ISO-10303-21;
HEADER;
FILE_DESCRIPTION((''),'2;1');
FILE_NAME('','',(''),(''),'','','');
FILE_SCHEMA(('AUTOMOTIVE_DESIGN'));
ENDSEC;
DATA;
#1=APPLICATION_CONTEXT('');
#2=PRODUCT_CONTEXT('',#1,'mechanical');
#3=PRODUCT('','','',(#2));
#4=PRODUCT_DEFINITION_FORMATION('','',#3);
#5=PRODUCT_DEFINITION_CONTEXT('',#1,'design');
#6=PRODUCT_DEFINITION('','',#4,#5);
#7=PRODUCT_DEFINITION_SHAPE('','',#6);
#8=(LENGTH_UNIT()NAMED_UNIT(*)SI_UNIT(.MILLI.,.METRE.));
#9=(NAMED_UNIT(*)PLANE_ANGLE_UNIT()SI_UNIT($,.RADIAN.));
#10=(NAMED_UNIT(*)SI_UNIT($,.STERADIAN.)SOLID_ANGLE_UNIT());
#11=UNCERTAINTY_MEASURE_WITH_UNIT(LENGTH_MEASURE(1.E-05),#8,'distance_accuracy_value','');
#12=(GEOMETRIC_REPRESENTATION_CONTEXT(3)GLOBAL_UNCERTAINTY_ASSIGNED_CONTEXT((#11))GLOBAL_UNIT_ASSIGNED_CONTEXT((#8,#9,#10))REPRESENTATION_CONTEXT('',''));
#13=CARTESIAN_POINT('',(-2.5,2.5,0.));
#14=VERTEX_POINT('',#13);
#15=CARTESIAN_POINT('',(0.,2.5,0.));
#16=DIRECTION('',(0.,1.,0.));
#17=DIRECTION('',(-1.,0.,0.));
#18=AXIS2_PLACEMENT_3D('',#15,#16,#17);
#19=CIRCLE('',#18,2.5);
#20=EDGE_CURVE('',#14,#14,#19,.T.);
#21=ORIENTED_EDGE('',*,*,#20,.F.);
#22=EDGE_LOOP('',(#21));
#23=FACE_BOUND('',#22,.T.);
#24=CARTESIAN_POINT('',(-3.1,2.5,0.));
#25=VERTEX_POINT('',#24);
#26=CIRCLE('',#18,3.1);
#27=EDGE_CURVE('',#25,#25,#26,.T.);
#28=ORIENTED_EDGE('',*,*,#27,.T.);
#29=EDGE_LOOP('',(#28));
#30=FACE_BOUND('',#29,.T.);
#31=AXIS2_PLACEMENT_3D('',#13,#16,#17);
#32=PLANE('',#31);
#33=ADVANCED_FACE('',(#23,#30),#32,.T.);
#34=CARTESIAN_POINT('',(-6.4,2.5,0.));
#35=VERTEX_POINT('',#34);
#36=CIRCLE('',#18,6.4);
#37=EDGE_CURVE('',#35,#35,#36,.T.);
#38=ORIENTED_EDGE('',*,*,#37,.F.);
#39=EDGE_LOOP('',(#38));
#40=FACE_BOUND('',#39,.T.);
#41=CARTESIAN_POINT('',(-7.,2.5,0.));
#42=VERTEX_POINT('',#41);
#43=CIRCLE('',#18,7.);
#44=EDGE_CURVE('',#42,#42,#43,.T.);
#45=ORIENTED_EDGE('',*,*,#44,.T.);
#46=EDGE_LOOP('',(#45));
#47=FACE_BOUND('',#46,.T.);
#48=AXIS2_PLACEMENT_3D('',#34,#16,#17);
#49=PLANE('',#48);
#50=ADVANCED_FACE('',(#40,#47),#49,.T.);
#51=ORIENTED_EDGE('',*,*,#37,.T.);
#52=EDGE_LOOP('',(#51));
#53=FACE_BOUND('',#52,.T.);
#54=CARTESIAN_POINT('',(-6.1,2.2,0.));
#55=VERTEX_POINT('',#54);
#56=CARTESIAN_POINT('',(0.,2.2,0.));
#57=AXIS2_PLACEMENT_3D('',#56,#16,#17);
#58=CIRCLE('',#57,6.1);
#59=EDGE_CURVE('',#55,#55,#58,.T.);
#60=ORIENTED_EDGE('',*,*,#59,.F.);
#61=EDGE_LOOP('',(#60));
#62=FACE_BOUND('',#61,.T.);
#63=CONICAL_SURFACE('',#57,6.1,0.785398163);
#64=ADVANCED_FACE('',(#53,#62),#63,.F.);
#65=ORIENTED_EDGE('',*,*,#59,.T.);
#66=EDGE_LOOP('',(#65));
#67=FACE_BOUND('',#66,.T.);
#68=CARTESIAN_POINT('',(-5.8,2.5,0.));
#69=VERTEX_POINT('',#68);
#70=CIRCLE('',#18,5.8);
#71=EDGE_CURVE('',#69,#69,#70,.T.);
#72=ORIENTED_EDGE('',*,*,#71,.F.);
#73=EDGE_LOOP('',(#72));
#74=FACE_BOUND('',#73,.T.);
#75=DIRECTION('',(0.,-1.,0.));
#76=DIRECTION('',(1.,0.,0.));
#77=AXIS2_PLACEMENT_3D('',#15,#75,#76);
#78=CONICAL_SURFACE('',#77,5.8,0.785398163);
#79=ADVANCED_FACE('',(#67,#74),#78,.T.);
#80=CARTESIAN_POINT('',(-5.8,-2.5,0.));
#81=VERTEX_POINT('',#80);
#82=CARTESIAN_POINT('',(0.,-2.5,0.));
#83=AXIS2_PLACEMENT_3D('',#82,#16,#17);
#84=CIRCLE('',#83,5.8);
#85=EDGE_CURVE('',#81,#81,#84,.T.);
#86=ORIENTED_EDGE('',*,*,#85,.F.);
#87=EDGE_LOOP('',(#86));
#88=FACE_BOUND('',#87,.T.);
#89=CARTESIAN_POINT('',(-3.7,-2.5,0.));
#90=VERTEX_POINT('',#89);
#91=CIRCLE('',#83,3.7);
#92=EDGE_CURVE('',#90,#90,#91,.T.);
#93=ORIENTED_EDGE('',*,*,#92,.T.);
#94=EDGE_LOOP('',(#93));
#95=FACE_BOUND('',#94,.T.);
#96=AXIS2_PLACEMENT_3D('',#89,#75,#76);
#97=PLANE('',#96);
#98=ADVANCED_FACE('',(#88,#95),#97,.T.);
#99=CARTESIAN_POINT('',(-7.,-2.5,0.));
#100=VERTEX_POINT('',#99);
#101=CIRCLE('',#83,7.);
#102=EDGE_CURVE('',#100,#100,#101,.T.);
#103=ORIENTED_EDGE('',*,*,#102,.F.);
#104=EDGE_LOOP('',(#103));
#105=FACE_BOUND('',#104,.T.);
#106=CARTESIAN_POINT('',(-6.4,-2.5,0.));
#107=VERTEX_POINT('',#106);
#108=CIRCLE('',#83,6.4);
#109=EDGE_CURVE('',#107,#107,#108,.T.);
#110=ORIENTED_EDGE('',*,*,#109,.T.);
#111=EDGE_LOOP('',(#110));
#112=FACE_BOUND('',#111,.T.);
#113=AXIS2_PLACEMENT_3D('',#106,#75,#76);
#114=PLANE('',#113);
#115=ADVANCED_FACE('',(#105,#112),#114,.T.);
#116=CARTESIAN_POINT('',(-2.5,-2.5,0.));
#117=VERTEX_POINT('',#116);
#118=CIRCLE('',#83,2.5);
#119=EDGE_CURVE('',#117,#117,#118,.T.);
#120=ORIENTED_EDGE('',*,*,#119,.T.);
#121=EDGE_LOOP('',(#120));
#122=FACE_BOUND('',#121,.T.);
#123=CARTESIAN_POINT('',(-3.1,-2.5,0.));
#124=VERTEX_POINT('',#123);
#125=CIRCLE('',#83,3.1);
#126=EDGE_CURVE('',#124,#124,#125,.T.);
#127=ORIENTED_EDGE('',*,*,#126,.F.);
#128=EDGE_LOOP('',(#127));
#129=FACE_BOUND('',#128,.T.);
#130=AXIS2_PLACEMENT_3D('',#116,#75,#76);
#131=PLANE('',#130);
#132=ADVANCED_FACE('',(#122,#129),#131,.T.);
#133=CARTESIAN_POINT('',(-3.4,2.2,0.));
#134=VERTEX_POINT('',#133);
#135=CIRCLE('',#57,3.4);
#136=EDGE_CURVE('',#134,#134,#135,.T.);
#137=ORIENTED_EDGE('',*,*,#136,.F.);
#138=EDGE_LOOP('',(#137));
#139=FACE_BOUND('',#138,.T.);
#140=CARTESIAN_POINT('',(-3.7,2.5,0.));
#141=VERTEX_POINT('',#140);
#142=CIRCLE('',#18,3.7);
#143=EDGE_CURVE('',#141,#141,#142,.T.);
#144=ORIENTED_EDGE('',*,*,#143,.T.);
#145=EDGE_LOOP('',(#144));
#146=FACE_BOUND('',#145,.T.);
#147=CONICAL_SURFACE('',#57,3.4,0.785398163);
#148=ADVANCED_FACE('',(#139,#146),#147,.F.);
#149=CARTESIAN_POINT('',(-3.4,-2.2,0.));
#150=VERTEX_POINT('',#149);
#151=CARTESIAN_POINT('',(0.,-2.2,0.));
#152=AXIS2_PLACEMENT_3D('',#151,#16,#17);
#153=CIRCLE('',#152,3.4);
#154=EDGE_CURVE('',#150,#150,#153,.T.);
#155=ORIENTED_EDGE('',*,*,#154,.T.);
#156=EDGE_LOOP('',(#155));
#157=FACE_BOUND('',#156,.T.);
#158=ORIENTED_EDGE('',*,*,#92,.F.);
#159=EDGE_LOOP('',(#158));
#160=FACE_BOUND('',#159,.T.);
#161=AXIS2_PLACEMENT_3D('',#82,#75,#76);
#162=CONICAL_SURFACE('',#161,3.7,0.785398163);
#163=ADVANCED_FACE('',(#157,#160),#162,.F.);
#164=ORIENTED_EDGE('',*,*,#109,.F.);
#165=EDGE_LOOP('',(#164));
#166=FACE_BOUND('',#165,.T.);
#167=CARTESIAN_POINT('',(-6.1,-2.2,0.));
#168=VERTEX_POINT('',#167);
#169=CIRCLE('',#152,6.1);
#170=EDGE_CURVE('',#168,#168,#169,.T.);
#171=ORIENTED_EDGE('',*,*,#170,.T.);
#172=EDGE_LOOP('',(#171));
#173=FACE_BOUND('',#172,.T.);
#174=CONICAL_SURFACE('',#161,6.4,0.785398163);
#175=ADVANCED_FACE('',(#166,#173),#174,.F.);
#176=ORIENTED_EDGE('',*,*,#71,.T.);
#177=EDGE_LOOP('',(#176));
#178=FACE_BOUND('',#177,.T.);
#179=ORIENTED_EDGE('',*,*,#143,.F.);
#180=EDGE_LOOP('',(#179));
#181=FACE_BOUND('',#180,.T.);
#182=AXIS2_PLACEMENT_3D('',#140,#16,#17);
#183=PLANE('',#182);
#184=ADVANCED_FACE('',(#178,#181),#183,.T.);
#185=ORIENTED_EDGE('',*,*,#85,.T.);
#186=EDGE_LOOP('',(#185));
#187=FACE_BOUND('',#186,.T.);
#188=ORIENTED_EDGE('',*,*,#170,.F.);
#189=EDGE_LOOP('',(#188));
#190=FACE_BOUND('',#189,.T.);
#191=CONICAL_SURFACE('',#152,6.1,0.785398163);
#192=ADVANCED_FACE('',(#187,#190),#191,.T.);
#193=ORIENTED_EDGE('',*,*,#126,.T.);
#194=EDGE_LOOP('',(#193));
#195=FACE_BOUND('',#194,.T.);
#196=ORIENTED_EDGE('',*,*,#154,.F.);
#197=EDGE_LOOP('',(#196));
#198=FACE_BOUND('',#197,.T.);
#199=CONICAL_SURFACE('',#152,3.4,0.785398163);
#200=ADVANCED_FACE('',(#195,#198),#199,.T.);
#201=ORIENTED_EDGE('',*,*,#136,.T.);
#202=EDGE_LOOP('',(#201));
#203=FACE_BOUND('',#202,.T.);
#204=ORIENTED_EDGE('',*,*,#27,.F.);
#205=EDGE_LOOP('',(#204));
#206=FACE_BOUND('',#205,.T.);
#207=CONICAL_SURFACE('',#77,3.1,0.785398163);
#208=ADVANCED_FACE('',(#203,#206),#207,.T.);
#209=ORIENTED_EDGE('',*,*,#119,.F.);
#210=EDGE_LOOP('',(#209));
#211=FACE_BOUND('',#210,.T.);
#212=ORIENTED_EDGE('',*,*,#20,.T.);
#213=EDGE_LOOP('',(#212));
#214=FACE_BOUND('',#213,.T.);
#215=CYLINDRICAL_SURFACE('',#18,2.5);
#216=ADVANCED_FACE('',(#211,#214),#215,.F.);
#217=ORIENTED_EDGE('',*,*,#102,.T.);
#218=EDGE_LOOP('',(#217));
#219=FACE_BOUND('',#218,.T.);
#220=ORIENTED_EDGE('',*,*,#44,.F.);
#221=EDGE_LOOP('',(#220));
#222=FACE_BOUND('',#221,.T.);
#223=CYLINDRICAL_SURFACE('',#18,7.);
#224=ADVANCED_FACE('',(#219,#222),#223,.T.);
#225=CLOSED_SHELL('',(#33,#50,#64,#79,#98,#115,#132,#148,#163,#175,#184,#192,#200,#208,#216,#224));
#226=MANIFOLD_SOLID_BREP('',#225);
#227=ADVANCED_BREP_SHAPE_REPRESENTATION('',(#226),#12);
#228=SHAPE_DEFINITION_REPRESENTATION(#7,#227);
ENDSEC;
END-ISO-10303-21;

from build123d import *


with BuildPart() as part:
    # Sketch1 → Revolve1 (revolve)
    with BuildSketch(Plane.XY):
        Polygon((-2.5, 2.5), (-3.1, 2.5), (-3.4, 2.2), (-3.7, 2.5), (-5.8, 2.5), (-6.1, 2.2), (-6.4, 2.5), (-7, 2.5), (-7, -2.5), (-6.4, -2.5), (-6.1, -2.2), (-5.8, -2.5), (-3.7, -2.5), (-3.4, -2.2), (-3.1, -2.5), (-2.5, -2.5), align=None)
    revolve(axis=Axis((0, 2.5, 0), (0, -1, 0)))


solid = part.part
